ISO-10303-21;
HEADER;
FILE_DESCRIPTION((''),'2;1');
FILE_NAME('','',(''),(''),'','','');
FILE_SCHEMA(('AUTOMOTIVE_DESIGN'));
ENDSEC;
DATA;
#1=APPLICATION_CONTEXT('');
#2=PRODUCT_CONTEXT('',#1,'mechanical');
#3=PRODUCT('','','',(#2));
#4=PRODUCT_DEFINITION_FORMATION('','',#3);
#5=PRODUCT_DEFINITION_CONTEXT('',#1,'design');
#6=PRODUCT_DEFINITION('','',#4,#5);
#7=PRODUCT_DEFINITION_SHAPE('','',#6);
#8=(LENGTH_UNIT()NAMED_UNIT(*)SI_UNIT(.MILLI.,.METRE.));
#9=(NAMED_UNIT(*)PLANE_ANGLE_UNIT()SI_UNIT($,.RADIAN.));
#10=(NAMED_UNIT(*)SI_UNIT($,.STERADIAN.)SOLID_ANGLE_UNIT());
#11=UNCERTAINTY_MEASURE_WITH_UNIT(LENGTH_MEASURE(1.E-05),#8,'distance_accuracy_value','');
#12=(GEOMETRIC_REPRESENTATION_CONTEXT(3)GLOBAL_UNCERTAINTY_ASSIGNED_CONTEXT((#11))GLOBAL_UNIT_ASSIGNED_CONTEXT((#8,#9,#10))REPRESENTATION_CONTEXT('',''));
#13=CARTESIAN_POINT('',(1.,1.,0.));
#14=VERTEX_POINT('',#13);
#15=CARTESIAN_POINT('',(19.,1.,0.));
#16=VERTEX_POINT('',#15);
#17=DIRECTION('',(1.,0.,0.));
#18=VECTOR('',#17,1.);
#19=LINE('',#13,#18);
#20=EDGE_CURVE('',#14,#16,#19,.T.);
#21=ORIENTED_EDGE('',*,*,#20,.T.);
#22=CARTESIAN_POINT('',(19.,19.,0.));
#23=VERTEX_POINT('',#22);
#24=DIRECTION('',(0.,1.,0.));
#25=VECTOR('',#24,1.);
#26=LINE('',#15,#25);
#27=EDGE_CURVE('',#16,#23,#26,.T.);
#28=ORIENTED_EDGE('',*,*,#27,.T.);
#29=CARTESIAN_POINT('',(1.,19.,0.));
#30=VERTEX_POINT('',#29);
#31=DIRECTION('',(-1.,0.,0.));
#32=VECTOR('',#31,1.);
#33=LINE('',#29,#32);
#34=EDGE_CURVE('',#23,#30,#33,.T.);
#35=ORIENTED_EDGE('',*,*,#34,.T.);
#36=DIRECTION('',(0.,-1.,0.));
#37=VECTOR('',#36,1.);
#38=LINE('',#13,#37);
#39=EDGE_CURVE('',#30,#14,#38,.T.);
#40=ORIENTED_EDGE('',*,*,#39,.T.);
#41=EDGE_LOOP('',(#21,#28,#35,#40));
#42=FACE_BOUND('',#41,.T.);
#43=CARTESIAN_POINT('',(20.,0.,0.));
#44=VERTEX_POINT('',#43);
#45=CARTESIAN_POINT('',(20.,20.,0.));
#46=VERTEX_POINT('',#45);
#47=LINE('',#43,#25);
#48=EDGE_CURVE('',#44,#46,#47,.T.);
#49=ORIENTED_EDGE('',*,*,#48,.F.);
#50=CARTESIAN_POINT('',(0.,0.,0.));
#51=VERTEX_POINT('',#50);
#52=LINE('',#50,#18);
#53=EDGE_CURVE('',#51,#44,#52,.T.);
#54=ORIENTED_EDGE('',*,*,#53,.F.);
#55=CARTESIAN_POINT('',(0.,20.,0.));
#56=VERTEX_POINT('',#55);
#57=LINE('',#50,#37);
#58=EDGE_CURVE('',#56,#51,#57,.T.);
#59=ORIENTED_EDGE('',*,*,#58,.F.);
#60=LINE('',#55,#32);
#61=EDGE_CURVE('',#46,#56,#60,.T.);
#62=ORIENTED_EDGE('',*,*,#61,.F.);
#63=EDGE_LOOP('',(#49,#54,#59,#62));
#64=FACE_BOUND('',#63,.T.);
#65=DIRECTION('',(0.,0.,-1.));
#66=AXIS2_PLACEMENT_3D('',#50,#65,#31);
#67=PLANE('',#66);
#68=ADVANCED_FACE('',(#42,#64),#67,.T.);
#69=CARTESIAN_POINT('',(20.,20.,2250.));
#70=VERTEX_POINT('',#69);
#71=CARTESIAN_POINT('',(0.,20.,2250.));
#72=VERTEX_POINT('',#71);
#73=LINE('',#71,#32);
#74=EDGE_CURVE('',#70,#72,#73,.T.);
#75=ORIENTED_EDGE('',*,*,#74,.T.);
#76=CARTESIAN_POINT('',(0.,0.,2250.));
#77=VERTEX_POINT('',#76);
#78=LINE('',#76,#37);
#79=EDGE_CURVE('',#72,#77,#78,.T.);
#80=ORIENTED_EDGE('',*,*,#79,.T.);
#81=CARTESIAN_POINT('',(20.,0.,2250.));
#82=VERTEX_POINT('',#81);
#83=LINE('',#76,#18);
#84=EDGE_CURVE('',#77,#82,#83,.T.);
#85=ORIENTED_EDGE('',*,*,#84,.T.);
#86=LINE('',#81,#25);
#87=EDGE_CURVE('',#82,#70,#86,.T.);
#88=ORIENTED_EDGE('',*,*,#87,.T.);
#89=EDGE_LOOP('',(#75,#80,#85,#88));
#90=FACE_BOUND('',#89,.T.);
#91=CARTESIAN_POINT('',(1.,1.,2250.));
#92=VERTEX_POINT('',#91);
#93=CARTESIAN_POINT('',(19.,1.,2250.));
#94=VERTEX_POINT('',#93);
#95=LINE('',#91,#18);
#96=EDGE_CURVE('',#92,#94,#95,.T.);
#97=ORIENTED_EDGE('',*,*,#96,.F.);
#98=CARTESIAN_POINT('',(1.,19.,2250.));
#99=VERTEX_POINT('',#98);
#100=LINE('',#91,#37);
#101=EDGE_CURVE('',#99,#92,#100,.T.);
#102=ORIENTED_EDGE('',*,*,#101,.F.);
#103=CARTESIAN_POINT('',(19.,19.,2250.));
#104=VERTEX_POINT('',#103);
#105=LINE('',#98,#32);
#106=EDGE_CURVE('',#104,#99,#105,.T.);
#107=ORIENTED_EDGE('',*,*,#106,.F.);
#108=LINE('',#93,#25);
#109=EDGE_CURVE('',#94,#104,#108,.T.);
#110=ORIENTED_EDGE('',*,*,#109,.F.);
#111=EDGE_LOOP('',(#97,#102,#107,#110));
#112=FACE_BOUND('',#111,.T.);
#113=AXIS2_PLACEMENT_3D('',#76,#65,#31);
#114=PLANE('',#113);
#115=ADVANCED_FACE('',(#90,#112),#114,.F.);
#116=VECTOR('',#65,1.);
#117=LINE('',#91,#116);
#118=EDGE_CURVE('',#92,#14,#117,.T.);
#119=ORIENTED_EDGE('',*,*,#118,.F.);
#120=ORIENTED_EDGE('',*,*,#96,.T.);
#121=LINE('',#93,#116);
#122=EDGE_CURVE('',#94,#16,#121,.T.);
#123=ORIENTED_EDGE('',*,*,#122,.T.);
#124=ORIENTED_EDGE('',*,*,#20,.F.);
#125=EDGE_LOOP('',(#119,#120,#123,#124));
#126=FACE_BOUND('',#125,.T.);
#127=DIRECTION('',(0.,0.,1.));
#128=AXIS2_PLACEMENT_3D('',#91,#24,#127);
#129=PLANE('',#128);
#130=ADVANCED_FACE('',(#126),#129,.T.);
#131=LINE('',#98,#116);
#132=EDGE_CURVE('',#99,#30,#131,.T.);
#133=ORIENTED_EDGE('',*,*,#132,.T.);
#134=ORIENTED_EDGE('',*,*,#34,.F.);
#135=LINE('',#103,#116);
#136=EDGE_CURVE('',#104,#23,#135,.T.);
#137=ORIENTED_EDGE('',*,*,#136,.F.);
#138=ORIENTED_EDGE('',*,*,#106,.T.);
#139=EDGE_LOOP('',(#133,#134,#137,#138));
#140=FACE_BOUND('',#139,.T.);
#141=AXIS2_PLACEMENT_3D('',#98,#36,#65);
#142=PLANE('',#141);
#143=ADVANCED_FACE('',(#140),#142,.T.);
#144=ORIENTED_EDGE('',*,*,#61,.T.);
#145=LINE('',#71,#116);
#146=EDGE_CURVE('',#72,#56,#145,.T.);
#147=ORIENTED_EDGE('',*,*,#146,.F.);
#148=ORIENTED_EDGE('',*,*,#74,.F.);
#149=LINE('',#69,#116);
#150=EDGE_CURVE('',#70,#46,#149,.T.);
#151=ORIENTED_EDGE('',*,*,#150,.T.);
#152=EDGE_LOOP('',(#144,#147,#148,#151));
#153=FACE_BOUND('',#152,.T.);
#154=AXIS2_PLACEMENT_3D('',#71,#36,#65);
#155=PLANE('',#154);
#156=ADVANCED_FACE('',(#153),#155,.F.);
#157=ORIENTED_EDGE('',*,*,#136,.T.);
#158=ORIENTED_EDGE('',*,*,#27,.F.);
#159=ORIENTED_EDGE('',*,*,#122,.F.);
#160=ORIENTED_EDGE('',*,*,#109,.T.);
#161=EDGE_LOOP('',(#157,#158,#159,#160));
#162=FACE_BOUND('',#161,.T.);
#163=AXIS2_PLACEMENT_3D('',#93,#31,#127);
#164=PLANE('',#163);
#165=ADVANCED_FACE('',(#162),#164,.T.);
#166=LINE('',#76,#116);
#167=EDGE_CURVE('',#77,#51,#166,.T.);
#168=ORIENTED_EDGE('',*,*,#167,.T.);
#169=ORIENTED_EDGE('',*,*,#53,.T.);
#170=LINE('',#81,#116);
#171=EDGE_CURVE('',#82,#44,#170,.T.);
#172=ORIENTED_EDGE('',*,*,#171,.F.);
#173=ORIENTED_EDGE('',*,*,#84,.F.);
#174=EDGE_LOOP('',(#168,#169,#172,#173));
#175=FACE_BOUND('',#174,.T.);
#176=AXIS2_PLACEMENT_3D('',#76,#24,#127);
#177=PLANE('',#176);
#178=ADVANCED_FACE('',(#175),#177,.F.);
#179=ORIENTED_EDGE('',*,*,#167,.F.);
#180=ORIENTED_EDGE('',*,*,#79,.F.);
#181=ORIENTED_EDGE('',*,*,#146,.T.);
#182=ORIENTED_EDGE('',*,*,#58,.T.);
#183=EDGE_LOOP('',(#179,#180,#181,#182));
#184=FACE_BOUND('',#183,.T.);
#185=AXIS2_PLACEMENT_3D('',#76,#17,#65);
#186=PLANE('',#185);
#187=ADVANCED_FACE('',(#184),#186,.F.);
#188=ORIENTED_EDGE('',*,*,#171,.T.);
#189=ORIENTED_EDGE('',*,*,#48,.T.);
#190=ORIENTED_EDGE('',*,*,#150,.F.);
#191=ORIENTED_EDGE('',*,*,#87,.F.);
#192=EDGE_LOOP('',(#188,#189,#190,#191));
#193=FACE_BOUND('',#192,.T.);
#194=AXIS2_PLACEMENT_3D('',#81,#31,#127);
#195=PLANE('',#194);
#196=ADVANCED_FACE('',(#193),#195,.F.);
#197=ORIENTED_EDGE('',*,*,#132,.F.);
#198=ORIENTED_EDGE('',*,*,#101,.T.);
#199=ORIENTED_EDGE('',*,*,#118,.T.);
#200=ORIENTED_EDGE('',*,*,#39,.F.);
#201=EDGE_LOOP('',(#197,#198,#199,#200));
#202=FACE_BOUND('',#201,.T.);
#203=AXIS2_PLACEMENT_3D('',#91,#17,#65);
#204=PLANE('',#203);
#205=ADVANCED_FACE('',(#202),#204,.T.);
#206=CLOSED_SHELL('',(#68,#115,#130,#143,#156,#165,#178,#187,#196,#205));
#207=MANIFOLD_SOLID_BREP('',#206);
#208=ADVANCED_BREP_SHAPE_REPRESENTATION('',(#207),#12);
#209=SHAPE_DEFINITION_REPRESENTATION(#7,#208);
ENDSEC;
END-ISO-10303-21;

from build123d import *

# Parameters (mm, degrees)
SKETCH_1_W      = 20
SKETCH_1_H      = 20
SKETCH_1_W_2    = 18
SKETCH_1_H_2    = 18
EXTRUDE_1_DEPTH = 2250


with BuildPart() as part:
    # 草图1 → 凸台-拉伸1 (new body)
    with BuildSketch(Plane.XY):
        with Locations((10, 10)):
            Rectangle(SKETCH_1_W, SKETCH_1_H)
        with Locations((10, 10)):
            Rectangle(SKETCH_1_W_2, SKETCH_1_H_2, mode=Mode.SUBTRACT)
    extrude(amount=EXTRUDE_1_DEPTH)


solid = part.part
